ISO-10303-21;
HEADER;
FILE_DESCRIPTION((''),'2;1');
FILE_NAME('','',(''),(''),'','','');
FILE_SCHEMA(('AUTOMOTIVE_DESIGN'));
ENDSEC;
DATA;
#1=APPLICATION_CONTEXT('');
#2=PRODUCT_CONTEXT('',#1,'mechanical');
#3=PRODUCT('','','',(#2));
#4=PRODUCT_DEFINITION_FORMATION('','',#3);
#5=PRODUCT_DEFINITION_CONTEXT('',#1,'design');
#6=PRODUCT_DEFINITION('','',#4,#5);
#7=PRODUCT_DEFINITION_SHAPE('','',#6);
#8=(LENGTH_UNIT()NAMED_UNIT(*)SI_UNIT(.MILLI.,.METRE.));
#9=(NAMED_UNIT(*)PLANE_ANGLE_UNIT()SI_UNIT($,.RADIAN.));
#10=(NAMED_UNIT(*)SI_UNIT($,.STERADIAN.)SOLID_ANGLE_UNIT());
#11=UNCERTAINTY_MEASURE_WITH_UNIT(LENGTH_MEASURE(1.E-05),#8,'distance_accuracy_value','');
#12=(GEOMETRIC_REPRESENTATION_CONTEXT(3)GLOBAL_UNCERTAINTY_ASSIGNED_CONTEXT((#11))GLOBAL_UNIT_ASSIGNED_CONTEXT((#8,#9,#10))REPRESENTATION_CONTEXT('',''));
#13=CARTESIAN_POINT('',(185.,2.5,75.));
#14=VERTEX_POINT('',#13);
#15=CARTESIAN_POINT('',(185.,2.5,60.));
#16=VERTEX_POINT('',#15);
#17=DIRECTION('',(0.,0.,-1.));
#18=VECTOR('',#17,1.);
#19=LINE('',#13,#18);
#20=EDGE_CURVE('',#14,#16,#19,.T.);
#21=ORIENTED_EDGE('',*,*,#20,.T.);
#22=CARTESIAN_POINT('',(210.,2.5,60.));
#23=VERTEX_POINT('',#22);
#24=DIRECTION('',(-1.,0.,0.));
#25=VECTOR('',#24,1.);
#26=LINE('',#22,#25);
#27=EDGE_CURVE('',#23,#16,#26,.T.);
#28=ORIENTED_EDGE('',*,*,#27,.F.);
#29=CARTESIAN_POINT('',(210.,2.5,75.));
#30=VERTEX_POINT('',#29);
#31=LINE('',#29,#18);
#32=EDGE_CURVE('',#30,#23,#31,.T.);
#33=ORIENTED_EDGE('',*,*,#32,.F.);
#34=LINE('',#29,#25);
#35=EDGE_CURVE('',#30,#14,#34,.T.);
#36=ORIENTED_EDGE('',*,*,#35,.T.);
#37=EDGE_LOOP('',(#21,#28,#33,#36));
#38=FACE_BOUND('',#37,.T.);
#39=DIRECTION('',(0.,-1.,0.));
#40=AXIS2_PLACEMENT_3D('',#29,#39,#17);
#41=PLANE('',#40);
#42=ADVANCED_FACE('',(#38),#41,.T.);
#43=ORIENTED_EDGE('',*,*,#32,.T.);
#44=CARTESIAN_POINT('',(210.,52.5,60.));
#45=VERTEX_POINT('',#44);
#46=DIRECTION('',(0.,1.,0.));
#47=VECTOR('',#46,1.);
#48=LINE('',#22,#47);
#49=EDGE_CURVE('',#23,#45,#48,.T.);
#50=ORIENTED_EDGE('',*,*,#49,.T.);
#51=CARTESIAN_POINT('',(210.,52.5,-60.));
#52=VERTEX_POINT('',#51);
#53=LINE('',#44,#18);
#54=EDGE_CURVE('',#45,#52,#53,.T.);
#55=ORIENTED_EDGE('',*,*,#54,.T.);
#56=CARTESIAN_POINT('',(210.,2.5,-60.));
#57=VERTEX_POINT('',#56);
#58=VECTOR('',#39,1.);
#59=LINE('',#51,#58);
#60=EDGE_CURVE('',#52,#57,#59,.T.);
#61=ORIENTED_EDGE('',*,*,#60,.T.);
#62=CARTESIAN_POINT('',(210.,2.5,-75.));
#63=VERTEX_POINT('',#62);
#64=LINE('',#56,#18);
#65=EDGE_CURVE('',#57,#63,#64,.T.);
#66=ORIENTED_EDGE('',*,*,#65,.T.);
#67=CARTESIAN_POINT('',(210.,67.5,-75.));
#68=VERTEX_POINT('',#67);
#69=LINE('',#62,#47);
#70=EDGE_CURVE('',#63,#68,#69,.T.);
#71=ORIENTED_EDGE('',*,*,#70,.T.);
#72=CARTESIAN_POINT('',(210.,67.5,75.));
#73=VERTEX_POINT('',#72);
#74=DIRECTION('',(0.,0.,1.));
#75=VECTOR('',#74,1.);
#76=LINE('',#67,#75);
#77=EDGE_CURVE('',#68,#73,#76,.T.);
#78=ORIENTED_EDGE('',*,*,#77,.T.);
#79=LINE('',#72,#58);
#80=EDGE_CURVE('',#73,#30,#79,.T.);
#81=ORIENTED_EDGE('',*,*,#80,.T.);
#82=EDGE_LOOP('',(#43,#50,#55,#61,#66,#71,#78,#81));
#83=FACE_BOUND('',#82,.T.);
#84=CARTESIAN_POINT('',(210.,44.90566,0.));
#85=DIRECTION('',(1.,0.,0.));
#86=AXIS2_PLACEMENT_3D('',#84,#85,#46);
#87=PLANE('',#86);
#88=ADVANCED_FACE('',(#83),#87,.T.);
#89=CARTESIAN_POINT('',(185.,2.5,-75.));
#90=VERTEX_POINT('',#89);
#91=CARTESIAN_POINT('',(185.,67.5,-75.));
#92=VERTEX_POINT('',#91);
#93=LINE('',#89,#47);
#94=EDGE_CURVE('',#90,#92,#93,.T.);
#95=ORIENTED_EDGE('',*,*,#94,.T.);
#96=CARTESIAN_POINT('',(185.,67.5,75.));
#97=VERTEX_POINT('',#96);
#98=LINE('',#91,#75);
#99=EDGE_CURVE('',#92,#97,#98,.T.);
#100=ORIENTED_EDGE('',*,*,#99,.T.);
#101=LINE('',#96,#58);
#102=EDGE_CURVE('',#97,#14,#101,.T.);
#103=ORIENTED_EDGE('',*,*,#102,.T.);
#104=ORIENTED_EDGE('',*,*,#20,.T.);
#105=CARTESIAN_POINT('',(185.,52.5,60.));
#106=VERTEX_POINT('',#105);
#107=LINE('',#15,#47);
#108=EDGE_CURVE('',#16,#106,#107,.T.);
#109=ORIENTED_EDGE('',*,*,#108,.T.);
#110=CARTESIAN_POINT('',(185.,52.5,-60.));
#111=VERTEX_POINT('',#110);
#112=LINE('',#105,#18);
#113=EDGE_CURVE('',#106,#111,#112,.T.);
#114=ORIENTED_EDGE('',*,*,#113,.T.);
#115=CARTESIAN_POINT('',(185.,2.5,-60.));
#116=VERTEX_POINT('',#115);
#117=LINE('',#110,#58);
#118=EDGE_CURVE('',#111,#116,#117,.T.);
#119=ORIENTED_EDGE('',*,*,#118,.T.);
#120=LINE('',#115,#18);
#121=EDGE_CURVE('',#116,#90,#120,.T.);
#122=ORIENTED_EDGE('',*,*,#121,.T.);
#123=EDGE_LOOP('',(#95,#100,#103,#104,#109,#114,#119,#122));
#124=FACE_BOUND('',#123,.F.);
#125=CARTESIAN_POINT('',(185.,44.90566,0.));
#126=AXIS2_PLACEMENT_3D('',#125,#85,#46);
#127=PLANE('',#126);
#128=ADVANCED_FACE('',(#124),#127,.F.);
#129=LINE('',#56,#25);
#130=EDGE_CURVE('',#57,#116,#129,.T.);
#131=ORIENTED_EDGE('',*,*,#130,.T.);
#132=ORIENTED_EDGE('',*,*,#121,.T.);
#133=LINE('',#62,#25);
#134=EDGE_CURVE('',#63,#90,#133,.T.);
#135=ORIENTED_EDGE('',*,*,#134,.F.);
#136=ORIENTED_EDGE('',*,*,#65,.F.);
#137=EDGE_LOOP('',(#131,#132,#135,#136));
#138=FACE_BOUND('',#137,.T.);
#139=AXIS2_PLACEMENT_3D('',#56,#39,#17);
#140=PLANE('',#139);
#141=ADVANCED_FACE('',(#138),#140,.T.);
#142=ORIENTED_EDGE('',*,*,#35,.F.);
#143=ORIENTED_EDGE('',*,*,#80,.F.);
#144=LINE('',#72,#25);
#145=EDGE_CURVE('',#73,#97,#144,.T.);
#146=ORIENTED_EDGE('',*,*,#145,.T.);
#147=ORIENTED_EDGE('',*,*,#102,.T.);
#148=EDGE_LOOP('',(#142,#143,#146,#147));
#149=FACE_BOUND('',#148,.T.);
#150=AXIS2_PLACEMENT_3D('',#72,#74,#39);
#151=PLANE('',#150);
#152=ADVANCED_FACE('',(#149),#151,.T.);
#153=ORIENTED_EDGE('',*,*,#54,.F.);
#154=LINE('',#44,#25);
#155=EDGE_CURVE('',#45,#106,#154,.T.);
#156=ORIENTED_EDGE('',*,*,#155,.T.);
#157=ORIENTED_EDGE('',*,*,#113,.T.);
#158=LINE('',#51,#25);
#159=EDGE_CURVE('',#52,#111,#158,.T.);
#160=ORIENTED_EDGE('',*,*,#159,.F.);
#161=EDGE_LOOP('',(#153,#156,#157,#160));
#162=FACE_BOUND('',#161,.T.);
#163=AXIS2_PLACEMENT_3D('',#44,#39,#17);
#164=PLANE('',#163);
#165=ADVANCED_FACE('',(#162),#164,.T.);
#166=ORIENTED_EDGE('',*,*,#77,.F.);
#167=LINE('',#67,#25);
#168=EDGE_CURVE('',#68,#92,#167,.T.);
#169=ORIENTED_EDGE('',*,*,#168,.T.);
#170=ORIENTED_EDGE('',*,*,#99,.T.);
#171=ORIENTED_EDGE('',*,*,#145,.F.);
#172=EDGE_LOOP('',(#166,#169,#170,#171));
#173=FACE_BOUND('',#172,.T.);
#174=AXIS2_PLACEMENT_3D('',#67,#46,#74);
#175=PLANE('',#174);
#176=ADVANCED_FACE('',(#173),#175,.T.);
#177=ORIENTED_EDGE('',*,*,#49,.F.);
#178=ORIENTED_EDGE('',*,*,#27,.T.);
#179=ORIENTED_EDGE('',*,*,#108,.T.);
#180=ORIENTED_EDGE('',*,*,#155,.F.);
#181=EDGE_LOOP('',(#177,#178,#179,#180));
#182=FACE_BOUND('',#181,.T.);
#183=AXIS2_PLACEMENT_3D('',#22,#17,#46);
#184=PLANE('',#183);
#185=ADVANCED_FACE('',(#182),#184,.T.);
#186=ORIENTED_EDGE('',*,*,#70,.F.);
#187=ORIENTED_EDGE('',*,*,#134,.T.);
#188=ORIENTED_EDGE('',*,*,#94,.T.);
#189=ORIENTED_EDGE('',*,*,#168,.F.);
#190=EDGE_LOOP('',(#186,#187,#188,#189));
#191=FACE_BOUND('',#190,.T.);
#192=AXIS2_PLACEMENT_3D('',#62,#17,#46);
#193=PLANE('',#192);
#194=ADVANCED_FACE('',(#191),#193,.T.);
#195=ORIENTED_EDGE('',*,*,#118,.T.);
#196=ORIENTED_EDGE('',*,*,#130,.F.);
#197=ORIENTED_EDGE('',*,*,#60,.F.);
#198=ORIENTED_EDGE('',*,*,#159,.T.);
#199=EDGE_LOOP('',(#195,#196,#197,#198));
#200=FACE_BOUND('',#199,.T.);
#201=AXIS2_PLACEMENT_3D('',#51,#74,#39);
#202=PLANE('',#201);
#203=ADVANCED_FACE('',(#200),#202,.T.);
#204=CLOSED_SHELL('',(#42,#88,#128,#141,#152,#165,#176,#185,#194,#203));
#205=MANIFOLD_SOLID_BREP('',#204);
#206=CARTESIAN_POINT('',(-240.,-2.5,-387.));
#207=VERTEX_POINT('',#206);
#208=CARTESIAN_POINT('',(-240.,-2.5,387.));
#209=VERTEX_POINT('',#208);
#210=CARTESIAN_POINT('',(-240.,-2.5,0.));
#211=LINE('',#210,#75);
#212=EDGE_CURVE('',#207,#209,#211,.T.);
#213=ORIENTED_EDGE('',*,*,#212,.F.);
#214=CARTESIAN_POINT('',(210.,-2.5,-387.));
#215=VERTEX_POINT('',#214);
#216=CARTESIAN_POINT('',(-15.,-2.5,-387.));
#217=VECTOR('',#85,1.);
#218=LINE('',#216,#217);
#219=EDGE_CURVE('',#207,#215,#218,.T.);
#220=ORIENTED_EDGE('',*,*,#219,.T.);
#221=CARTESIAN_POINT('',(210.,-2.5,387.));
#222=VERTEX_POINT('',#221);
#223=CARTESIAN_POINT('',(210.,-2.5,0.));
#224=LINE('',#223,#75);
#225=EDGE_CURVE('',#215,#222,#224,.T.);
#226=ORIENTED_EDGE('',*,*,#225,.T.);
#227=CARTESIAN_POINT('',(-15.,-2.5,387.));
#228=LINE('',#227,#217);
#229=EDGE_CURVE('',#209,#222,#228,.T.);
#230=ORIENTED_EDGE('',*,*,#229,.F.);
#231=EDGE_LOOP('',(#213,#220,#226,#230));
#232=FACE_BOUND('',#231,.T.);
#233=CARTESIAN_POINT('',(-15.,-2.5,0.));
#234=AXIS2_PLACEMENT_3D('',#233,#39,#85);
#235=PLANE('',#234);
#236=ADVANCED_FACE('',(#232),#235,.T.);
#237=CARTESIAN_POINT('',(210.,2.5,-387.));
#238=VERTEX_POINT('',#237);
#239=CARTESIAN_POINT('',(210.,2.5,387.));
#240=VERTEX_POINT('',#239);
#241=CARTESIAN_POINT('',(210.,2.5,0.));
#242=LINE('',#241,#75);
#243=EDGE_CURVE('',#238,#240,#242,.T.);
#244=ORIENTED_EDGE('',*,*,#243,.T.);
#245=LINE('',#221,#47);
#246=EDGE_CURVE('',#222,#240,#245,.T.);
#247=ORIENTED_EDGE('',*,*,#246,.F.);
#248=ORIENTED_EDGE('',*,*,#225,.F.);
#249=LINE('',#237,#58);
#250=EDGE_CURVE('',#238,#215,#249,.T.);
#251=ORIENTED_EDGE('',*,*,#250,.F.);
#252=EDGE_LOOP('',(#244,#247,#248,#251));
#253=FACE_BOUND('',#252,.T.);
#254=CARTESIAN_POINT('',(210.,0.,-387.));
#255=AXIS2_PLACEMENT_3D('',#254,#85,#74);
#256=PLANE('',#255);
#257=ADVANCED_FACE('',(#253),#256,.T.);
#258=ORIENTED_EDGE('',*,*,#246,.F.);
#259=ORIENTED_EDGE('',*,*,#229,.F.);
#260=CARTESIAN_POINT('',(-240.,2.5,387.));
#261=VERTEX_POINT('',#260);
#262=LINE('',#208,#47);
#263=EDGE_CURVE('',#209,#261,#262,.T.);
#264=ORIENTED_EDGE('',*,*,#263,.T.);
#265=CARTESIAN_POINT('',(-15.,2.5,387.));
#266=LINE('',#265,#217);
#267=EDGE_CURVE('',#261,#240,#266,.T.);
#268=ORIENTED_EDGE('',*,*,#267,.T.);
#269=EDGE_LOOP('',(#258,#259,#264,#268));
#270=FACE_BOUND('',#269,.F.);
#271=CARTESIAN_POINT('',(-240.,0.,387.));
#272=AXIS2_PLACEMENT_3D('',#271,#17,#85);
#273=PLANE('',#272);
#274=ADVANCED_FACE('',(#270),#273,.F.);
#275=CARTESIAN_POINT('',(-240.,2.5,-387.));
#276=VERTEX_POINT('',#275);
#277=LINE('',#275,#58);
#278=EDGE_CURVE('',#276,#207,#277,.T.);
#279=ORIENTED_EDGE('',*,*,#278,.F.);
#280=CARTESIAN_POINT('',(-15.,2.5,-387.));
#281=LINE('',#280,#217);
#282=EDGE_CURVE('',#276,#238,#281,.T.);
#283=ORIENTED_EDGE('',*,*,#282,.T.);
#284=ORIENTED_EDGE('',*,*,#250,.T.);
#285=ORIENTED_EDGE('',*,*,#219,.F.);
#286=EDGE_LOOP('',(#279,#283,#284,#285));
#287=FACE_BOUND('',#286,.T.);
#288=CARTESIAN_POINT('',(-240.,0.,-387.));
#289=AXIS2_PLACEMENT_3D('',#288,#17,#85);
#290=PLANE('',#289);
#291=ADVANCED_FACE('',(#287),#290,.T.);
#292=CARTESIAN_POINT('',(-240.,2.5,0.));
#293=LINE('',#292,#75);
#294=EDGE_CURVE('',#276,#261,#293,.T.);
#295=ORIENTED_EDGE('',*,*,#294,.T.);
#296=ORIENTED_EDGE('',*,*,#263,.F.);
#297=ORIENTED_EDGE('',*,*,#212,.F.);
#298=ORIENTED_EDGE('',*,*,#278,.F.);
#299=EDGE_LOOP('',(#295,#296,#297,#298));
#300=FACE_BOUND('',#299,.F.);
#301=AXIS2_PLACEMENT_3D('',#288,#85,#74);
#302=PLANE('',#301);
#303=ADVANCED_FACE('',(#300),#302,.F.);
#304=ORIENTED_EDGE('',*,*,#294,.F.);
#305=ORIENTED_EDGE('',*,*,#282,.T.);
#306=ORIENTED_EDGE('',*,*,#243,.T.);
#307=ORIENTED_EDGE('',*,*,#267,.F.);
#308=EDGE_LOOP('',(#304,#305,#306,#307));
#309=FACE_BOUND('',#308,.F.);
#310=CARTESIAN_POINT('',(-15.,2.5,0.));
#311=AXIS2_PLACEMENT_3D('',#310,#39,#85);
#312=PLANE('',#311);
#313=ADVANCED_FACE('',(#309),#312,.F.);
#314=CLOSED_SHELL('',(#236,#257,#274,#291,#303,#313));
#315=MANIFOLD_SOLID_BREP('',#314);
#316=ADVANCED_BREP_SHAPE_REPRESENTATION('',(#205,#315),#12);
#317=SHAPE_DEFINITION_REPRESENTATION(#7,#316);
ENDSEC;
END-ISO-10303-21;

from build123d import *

# Parameters (mm, degrees)
F0_W     = 450
F0_H     = 774
F1_DEPTH = 2.5
F3_DEPTH = 25


with BuildPart() as f1:
    # F0 (on Front) → F1 (new body, symmetric)
    with BuildSketch(Plane.XZ):
        with Locations((-15, 0)):
            Rectangle(F0_W, F0_H)
    extrude(amount=F1_DEPTH, both=True)


with BuildPart() as f3:
    # F2 (on face) → F3 (new body)
    with BuildSketch(Plane.YZ.offset(210)):
        Polygon((2.5, 75), (2.5, 60), (52.5, 60), (52.5, 0), (52.5, -60), (2.5, -60), (2.5, -75), (67.5, -75), (67.5, 0), (67.5, 75), align=None)
    extrude(amount=-F3_DEPTH)


solid = Compound([f1.part, f3.part])
